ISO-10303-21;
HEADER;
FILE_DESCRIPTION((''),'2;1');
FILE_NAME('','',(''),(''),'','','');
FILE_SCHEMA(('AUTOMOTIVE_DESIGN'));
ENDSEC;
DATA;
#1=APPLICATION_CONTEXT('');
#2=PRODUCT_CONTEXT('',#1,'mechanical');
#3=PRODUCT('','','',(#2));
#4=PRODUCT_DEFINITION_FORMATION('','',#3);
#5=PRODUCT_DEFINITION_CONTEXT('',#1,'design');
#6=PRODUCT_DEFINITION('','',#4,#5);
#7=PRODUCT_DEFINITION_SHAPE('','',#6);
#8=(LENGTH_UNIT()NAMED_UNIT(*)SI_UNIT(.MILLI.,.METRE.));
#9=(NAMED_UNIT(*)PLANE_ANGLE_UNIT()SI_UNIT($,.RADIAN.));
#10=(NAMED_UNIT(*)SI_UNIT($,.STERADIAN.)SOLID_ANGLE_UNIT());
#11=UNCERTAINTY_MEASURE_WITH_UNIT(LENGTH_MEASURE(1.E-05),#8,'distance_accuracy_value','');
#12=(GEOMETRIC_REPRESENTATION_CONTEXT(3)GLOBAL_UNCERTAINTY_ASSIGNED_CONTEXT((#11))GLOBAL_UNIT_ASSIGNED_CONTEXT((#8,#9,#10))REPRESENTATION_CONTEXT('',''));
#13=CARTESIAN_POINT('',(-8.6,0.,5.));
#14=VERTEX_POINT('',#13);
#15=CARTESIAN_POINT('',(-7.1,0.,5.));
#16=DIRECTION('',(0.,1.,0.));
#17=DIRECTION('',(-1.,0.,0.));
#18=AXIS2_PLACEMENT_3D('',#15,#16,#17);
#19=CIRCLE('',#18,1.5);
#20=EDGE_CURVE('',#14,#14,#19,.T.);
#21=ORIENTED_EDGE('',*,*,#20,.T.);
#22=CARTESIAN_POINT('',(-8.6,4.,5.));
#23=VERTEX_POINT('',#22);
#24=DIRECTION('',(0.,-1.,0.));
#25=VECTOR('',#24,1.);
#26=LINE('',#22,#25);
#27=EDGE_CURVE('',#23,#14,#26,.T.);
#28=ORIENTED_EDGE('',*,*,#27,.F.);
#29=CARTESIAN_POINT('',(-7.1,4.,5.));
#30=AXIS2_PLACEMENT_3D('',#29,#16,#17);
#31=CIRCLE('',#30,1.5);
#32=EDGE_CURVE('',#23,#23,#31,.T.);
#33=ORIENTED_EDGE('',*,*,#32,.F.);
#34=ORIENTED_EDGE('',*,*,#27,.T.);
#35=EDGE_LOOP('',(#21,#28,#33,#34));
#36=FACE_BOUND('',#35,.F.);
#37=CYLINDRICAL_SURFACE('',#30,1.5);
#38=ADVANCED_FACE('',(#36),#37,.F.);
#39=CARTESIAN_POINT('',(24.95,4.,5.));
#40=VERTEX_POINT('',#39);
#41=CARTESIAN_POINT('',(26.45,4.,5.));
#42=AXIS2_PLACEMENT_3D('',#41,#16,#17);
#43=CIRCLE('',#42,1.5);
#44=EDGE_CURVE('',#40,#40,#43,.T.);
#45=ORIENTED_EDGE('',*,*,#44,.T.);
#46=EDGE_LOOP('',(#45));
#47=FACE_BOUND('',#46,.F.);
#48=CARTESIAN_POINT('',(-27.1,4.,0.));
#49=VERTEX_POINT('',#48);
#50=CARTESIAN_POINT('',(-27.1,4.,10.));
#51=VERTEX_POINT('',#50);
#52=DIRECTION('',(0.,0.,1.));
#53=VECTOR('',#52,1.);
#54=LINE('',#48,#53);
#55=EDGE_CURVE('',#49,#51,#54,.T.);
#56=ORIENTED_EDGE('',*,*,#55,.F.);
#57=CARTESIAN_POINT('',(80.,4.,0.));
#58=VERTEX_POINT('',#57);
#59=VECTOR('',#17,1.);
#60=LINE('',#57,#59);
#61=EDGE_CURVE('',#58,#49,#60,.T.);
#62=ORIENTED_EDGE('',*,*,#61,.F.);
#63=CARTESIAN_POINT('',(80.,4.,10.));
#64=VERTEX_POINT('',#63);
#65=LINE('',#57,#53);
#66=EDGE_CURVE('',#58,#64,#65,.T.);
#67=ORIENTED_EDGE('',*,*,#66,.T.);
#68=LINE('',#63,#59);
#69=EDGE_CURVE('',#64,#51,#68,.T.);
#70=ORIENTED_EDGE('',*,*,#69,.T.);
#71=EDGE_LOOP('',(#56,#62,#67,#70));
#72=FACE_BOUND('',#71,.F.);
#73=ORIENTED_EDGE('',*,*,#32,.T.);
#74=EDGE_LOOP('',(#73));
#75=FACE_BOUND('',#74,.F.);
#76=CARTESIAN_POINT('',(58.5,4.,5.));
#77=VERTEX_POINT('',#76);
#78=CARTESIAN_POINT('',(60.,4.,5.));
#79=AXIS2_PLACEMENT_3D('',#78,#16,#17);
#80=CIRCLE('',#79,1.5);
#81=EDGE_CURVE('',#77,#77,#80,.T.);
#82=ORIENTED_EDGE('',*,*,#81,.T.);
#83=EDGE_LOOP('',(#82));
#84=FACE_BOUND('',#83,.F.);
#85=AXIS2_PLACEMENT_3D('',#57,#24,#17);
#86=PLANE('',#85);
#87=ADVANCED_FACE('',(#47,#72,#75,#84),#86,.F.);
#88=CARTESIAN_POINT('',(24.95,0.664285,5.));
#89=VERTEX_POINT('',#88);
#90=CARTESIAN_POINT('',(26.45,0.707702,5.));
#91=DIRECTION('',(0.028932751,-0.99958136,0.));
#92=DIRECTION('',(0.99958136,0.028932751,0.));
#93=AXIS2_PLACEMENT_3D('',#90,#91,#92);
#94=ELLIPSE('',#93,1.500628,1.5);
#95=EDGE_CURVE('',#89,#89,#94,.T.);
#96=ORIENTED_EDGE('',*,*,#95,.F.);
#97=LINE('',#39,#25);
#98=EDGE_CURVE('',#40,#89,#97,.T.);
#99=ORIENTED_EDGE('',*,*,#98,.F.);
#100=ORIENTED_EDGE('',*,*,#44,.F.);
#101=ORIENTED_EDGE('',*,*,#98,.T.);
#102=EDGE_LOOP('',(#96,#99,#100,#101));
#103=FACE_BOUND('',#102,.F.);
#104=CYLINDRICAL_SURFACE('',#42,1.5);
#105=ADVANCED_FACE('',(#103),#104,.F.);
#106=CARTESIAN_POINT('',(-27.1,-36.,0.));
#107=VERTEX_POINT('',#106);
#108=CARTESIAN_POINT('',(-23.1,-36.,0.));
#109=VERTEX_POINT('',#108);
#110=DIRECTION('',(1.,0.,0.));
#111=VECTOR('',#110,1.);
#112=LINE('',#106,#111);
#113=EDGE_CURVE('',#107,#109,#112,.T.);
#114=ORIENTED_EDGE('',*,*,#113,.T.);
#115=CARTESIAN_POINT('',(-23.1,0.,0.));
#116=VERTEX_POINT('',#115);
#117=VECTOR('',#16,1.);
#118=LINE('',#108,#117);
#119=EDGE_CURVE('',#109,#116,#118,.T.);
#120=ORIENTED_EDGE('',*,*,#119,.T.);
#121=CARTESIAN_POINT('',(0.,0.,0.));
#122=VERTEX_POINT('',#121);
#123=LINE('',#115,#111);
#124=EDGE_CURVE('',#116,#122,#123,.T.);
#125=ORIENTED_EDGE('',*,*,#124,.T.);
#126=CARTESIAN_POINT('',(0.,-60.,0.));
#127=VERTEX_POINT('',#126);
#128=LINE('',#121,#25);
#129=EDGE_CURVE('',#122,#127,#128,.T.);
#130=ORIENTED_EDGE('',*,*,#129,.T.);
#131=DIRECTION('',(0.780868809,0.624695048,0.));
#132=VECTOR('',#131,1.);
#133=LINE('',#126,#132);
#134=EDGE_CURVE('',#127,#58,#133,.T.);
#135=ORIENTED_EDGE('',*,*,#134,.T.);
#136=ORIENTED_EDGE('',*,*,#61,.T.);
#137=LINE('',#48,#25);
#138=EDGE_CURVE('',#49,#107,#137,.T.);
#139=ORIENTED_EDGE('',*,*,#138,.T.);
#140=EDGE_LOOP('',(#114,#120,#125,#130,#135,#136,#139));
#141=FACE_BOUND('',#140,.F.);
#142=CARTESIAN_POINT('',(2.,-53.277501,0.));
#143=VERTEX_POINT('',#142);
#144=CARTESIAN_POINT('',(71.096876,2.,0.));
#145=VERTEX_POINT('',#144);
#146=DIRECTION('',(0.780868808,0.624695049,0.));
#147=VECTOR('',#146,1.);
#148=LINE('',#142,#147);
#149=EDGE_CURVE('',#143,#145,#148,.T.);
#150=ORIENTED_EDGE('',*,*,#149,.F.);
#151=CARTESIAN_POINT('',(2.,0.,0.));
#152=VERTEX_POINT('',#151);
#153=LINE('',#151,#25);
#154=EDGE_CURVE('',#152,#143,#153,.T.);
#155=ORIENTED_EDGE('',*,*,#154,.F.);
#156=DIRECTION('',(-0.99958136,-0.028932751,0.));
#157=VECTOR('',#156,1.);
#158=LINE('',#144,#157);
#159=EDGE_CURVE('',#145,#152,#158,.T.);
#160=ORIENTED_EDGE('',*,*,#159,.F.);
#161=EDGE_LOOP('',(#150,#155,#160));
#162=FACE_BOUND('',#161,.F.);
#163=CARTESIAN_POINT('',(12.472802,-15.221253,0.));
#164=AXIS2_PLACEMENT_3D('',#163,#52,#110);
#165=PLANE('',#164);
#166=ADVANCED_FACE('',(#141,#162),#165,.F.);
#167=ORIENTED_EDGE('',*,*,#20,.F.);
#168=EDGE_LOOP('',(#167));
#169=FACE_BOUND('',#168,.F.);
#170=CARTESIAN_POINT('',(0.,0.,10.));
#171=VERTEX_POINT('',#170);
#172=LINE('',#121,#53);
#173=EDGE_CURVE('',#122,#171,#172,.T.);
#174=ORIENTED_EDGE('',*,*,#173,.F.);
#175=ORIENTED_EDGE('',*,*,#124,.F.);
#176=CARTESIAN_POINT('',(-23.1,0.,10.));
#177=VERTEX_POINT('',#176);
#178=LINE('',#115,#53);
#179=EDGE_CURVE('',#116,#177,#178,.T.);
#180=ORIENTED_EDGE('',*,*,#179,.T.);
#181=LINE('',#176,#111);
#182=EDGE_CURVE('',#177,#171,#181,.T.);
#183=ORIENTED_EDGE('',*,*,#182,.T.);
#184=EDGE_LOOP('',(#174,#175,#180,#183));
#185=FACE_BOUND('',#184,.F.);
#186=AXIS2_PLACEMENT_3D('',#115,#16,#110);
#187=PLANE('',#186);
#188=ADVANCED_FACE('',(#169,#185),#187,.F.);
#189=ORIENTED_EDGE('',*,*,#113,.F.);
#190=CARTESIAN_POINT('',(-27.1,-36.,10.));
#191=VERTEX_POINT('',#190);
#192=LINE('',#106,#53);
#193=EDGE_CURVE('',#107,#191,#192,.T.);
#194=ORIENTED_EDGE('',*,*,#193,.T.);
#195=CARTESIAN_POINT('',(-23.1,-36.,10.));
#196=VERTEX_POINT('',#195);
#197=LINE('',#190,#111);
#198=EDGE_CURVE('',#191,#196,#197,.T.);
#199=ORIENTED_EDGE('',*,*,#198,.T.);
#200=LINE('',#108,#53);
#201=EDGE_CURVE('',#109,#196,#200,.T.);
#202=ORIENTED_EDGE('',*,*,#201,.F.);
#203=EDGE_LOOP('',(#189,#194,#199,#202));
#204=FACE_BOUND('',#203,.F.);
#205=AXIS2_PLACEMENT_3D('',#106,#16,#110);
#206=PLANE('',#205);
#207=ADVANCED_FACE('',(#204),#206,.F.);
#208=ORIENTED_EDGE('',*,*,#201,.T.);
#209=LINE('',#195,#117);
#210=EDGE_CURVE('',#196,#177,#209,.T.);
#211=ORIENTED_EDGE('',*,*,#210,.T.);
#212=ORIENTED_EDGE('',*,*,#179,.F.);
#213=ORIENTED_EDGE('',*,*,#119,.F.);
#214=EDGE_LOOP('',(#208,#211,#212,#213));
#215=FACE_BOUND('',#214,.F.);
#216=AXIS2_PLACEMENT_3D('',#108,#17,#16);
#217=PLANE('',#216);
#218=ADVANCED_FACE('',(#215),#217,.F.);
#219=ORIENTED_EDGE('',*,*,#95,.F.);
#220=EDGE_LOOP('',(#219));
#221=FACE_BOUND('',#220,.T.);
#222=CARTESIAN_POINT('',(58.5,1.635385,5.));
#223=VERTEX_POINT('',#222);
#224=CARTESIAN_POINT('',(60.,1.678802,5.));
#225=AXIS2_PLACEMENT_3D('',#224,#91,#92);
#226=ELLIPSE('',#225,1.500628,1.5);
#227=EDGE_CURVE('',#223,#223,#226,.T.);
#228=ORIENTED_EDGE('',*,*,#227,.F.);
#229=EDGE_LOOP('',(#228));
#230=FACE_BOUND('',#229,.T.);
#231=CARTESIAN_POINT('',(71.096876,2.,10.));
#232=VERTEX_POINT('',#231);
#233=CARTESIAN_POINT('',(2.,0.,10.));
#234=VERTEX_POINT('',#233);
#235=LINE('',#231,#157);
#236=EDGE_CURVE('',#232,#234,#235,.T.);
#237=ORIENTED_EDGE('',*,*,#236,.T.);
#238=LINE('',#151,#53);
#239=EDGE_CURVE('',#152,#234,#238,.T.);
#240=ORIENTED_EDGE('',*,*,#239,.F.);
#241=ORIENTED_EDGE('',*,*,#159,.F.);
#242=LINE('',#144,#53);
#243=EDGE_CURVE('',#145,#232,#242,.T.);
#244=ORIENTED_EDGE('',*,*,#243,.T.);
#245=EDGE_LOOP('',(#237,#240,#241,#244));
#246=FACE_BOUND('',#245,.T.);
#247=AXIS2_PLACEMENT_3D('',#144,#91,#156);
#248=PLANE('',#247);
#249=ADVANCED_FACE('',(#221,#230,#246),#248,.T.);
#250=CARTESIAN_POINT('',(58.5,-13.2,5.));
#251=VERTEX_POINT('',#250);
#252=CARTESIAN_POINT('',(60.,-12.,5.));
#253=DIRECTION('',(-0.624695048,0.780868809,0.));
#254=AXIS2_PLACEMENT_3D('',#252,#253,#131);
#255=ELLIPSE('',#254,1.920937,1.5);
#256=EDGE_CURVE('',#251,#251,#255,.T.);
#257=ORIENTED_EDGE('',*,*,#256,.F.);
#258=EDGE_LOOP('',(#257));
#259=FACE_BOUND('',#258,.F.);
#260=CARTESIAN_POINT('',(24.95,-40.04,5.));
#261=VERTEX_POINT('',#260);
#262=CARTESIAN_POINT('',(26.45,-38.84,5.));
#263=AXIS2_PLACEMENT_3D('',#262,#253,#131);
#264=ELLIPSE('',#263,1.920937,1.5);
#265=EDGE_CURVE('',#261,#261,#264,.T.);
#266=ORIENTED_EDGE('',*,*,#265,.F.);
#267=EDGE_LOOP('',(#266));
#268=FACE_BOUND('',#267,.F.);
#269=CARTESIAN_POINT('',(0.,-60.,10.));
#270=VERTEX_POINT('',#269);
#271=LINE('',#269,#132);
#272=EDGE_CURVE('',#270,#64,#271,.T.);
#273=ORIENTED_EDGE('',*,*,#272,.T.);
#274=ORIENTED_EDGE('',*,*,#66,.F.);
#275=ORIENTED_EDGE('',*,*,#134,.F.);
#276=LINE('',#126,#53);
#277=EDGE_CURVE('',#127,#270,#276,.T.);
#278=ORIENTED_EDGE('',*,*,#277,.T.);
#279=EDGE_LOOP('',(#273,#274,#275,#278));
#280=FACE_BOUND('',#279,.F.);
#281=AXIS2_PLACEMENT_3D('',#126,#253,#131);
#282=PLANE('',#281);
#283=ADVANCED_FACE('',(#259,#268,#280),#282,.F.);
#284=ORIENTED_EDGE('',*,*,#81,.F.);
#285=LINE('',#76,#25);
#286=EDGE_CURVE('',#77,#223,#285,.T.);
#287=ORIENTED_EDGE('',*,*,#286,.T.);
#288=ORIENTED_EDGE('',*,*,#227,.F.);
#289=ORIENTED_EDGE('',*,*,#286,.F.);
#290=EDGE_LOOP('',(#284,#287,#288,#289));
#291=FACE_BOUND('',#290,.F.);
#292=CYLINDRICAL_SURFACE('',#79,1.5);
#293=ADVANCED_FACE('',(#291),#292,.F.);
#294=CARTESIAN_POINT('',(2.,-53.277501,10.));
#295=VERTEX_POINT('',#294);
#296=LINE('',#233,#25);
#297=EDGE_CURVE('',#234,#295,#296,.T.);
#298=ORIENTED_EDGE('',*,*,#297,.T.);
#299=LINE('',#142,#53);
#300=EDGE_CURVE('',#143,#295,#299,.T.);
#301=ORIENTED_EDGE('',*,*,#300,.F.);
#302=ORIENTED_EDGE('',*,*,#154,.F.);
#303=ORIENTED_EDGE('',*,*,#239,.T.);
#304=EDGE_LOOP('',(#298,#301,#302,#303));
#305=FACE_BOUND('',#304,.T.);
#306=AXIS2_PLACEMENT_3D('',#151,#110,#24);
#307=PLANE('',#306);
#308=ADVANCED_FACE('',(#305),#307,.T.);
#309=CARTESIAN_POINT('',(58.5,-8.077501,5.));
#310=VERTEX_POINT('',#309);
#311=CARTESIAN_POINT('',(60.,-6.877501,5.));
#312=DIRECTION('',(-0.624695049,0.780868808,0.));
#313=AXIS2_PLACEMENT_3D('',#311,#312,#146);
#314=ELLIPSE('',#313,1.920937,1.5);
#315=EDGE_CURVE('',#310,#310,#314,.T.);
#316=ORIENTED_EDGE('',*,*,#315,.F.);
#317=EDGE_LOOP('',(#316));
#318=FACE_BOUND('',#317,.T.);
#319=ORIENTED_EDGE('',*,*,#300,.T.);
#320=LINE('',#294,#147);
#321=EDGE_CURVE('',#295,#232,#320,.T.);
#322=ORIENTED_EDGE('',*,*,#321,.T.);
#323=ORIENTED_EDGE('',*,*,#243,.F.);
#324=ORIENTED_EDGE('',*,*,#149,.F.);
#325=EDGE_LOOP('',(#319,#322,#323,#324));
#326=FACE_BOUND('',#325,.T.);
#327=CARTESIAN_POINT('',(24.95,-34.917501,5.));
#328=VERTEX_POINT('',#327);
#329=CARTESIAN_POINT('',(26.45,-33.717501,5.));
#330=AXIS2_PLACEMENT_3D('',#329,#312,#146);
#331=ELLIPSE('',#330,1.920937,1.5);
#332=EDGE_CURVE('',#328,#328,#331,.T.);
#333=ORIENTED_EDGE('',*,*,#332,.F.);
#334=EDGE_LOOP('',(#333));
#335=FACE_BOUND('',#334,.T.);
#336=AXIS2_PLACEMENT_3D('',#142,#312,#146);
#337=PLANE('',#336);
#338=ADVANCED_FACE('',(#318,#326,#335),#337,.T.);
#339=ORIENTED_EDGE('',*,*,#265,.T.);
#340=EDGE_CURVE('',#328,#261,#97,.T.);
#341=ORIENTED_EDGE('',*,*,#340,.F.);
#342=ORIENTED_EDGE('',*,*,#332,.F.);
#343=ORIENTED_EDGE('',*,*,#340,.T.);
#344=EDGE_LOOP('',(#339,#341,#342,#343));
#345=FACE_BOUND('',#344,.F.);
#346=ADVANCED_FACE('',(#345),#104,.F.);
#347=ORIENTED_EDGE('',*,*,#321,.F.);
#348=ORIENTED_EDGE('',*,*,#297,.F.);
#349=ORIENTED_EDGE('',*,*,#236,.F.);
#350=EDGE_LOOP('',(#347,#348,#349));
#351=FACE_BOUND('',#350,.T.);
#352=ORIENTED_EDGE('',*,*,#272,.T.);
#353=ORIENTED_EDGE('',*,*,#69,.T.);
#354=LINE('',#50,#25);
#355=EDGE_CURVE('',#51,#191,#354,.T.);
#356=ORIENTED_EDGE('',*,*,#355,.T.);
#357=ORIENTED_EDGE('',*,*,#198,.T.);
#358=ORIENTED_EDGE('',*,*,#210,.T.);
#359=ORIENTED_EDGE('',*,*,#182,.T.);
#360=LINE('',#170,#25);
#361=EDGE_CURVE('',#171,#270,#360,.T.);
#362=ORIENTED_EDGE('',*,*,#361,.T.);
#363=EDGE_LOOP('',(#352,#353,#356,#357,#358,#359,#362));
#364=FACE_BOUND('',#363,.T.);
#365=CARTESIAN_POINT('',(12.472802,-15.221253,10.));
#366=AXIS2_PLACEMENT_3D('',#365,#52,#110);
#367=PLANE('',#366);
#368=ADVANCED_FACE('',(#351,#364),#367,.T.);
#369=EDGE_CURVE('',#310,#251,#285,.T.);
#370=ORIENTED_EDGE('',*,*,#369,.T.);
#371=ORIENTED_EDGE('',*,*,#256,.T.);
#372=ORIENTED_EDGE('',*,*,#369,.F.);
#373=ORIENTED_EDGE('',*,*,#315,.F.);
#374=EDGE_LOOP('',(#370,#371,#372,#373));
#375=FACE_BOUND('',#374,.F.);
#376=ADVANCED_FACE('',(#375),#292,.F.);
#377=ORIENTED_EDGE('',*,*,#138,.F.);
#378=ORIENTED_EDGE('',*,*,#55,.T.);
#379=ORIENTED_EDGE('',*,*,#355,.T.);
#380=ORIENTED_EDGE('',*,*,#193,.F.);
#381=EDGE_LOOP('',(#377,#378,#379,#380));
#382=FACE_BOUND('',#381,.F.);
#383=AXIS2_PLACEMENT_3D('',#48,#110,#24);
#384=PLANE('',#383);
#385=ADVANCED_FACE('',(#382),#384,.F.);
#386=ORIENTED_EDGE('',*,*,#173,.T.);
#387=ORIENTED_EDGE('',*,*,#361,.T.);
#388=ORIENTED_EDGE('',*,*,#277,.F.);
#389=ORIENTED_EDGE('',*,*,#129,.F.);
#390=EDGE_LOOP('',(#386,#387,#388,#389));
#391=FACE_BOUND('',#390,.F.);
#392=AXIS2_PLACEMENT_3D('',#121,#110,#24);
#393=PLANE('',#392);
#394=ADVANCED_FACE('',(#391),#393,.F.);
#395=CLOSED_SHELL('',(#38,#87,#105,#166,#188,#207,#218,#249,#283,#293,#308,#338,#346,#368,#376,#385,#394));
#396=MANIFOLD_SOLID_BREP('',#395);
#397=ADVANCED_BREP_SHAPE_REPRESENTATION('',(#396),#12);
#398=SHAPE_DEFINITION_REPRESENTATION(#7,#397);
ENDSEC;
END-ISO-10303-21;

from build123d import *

# Parameters (mm, degrees)
PAD_DEPTH    = 10
SKETCH001_R  = 1.5
POCKET_DEPTH = 64.001


with BuildPart() as part:
    # Sketch → Pad (new body)
    with BuildSketch(Plane.XY):
        Polygon((80, 4), (-27.1, 4), (-27.1, -36), (-23.1, -36), (-23.1, 0), (0, 0), (0, -60), align=None)
        Polygon((2, 0), (2, -53.277501), (71.096876, 2), align=None, mode=Mode.SUBTRACT)
    extrude(amount=PAD_DEPTH)

    # Sketch001 (on Face5 of Pad) → Pocket (cut, through all)
    with BuildSketch(Plane(origin=(0, 4, 0), x_dir=(-1, 0, 0), z_dir=(0, 1, 0))):
        with Locations((-60, 5)):
            Circle(SKETCH001_R)
        with Locations((7.1, 5)):
            Circle(SKETCH001_R)
        with Locations((-26.45, 5)):
            Circle(SKETCH001_R)
    extrude(amount=-POCKET_DEPTH, mode=Mode.SUBTRACT)


solid = part.part
